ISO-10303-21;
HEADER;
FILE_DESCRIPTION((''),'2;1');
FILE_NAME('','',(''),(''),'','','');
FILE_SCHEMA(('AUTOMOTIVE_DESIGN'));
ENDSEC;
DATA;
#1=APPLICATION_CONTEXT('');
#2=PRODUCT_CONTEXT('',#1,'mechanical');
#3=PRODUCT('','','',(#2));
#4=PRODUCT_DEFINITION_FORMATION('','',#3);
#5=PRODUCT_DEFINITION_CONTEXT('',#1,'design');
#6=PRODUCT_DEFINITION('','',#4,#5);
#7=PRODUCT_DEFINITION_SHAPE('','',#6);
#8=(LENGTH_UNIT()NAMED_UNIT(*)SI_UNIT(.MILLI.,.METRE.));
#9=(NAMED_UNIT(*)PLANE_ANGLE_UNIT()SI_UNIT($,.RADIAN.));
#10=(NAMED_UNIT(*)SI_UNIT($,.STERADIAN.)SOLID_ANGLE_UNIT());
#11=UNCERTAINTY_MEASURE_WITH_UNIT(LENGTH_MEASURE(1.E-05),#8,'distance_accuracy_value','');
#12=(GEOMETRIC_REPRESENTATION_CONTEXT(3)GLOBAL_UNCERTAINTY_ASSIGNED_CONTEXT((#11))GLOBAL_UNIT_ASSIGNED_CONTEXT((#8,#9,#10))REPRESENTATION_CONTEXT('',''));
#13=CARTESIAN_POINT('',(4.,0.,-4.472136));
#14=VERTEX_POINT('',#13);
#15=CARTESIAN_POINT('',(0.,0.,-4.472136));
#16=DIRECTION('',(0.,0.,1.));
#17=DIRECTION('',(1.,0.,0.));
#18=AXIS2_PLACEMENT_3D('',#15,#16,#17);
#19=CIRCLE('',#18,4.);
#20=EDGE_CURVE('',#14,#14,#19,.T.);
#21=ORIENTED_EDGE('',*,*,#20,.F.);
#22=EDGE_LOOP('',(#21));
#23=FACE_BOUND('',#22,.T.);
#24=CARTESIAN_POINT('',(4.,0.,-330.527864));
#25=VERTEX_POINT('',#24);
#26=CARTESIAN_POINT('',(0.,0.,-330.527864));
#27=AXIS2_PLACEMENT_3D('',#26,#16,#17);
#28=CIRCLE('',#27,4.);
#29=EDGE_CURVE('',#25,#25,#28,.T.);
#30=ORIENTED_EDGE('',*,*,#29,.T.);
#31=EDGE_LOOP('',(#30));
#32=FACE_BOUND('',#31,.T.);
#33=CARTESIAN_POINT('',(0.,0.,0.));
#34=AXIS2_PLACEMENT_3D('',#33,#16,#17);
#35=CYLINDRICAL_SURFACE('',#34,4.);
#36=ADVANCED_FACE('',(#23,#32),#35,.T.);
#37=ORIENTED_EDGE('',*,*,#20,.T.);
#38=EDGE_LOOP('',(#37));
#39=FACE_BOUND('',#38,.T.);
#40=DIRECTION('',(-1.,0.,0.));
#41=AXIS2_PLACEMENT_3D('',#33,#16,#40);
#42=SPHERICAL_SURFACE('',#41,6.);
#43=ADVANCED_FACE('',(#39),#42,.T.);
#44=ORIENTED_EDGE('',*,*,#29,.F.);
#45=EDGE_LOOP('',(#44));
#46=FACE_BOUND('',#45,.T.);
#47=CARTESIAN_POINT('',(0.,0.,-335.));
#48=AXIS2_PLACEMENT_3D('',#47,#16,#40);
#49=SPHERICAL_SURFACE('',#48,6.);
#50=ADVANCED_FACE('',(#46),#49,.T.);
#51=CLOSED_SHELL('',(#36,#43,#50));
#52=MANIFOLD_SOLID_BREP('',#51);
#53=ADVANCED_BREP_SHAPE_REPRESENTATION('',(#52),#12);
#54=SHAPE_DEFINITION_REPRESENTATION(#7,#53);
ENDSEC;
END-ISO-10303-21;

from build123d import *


with BuildPart() as part:
    # Sketch3 → Revolve1 (revolve)
    with BuildSketch(Plane(origin=(0, 0, 0), x_dir=(1, 0, 0), z_dir=(0, 1, 0))):
        with BuildLine():
            Line((-4, 330.527864045), (-4, 4.472135955))
            ThreePointArc((-4, 4.472135955), (-5.605034154, -2.140932539), (0, -6))
            Line((0, -6), (0, 341))
            ThreePointArc((0, 341), (-5.605034154, 337.140932539), (-4, 330.527864045))
        make_face()
    revolve(axis=Axis((0, 0, 0), (0, 0, -1)))


solid = part.part
